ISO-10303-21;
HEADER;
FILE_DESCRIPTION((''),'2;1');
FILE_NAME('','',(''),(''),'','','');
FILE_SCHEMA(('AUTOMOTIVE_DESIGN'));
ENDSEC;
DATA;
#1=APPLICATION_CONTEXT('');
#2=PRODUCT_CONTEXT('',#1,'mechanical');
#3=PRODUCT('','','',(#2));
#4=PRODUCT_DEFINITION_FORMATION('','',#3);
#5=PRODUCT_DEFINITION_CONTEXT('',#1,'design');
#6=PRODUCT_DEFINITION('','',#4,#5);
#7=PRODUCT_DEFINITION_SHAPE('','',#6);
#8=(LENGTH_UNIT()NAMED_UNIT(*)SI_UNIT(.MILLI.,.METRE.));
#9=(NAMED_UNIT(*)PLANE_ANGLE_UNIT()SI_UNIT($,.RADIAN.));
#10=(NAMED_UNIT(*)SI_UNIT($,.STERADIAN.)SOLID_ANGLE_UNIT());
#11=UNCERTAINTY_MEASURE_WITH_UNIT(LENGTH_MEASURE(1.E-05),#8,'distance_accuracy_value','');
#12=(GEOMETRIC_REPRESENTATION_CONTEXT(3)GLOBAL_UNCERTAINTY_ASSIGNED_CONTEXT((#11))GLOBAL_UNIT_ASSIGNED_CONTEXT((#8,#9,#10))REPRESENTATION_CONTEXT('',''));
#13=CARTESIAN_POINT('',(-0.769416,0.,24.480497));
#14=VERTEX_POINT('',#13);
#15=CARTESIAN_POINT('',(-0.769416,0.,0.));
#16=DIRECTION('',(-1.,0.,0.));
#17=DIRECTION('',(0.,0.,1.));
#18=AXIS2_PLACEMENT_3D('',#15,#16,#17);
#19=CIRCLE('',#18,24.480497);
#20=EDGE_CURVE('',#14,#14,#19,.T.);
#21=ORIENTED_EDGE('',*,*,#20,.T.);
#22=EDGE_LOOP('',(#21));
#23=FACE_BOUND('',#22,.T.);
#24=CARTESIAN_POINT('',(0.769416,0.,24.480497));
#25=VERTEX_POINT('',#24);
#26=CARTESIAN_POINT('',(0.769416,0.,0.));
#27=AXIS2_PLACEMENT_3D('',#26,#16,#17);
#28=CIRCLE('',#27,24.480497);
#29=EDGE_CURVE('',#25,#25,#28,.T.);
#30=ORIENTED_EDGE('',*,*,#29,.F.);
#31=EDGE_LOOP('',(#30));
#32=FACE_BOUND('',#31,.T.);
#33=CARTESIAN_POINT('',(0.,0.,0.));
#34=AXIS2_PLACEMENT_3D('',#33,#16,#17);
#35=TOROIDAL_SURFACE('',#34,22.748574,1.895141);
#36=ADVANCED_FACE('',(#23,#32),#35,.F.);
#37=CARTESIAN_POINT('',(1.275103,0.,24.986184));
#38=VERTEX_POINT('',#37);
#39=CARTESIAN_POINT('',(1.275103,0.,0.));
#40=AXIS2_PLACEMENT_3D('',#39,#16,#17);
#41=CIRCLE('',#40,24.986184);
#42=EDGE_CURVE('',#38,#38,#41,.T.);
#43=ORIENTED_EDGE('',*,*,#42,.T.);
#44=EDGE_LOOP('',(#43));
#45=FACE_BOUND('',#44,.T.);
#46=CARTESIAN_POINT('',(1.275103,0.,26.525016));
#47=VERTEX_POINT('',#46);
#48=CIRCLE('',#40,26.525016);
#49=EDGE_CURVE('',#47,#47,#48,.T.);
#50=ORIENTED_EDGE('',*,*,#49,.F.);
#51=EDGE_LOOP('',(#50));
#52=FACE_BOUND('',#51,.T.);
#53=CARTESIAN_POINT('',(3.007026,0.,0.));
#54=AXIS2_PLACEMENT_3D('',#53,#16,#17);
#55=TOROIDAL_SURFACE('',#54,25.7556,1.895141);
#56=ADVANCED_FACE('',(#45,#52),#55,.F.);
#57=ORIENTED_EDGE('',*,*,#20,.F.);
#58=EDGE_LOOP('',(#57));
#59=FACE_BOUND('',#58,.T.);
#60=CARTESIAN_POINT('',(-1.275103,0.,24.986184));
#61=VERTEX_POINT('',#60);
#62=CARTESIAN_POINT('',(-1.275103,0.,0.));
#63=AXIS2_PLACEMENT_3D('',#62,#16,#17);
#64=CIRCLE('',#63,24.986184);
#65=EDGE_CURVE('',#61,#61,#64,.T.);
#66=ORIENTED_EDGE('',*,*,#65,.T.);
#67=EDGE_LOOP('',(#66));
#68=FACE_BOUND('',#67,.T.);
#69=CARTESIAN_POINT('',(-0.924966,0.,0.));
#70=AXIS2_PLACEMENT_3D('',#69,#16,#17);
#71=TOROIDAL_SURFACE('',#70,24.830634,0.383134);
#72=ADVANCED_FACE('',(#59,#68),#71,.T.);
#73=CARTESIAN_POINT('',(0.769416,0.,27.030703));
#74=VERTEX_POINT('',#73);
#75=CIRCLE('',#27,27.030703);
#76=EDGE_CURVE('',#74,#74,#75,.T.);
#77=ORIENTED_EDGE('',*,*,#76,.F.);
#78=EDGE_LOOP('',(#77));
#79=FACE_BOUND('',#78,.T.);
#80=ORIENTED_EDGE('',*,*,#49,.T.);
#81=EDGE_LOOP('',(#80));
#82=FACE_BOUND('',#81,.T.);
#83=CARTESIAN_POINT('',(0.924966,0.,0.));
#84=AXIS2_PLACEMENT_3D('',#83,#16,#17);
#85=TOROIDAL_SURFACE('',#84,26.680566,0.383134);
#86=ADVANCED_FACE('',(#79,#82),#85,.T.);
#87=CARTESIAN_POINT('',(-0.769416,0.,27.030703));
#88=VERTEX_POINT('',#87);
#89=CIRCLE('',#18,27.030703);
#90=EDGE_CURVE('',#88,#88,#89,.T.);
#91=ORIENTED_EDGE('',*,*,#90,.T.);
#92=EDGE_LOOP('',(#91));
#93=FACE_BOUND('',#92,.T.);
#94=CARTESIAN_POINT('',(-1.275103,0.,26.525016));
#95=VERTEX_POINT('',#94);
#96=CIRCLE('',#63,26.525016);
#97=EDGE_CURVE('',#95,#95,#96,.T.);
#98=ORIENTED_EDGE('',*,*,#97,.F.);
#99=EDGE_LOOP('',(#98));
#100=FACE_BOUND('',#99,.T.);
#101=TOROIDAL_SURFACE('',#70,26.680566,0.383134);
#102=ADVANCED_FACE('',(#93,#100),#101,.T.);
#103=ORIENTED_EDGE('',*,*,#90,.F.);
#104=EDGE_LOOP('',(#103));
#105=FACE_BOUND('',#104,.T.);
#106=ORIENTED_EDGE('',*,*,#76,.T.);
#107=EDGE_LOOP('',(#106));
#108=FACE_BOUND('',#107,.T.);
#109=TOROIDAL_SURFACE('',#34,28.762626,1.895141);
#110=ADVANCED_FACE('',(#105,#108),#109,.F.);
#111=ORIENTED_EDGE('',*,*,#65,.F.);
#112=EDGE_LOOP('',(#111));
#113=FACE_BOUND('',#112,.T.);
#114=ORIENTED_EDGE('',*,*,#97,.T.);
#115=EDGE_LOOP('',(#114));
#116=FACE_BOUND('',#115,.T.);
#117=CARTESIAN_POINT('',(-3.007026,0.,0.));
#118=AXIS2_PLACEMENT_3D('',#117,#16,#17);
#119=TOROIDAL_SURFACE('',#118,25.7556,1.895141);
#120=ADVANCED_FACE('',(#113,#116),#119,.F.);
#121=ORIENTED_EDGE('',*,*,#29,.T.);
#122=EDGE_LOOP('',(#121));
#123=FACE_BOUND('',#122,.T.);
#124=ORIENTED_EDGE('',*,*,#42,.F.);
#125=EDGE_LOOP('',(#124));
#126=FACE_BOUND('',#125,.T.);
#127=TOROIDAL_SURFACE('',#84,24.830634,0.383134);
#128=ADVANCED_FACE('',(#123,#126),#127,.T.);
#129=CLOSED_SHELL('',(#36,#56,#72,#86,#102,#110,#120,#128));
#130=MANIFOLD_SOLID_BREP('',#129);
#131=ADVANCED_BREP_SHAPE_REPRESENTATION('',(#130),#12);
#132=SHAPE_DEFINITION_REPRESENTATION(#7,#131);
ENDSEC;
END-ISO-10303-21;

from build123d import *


with BuildPart() as part:
    # Sketch1 → Revolve1 (revolve)
    with BuildSketch(Plane.XY, mode=Mode.PRIVATE) as revolve1_sk:
        with BuildLine():
            ThreePointArc((-1.275102846, 26.525016306), (-1.111885, 25.7556), (-1.275102846, 24.986183694))
            ThreePointArc((-1.275102846, 24.986183694), (-1.195882761, 24.559717239), (-0.769416306, 24.480497154))
            ThreePointArc((-0.769416306, 24.480497154), (0, 24.643715), (0.769416306, 24.480497154))
            ThreePointArc((0.769416306, 24.480497154), (1.195882761, 24.559717239), (1.275102846, 24.986183694))
            ThreePointArc((1.275102846, 24.986183694), (1.111885, 25.7556), (1.275102846, 26.525016306))
            ThreePointArc((1.275102846, 26.525016306), (1.195882761, 26.951482761), (0.769416306, 27.030702846))
            ThreePointArc((0.769416306, 27.030702846), (0, 26.867485), (-0.769416306, 27.030702846))
            ThreePointArc((-0.769416306, 27.030702846), (-1.195882761, 26.951482761), (-1.275102846, 26.525016306))
        make_face()
    revolve(revolve1_sk.sketch.rotate(Axis((-1.3081, 0, 0), (1, 0, 0)), 90), axis=Axis((-1.3081, 0, 0), (1, 0, 0)))


solid = part.part
